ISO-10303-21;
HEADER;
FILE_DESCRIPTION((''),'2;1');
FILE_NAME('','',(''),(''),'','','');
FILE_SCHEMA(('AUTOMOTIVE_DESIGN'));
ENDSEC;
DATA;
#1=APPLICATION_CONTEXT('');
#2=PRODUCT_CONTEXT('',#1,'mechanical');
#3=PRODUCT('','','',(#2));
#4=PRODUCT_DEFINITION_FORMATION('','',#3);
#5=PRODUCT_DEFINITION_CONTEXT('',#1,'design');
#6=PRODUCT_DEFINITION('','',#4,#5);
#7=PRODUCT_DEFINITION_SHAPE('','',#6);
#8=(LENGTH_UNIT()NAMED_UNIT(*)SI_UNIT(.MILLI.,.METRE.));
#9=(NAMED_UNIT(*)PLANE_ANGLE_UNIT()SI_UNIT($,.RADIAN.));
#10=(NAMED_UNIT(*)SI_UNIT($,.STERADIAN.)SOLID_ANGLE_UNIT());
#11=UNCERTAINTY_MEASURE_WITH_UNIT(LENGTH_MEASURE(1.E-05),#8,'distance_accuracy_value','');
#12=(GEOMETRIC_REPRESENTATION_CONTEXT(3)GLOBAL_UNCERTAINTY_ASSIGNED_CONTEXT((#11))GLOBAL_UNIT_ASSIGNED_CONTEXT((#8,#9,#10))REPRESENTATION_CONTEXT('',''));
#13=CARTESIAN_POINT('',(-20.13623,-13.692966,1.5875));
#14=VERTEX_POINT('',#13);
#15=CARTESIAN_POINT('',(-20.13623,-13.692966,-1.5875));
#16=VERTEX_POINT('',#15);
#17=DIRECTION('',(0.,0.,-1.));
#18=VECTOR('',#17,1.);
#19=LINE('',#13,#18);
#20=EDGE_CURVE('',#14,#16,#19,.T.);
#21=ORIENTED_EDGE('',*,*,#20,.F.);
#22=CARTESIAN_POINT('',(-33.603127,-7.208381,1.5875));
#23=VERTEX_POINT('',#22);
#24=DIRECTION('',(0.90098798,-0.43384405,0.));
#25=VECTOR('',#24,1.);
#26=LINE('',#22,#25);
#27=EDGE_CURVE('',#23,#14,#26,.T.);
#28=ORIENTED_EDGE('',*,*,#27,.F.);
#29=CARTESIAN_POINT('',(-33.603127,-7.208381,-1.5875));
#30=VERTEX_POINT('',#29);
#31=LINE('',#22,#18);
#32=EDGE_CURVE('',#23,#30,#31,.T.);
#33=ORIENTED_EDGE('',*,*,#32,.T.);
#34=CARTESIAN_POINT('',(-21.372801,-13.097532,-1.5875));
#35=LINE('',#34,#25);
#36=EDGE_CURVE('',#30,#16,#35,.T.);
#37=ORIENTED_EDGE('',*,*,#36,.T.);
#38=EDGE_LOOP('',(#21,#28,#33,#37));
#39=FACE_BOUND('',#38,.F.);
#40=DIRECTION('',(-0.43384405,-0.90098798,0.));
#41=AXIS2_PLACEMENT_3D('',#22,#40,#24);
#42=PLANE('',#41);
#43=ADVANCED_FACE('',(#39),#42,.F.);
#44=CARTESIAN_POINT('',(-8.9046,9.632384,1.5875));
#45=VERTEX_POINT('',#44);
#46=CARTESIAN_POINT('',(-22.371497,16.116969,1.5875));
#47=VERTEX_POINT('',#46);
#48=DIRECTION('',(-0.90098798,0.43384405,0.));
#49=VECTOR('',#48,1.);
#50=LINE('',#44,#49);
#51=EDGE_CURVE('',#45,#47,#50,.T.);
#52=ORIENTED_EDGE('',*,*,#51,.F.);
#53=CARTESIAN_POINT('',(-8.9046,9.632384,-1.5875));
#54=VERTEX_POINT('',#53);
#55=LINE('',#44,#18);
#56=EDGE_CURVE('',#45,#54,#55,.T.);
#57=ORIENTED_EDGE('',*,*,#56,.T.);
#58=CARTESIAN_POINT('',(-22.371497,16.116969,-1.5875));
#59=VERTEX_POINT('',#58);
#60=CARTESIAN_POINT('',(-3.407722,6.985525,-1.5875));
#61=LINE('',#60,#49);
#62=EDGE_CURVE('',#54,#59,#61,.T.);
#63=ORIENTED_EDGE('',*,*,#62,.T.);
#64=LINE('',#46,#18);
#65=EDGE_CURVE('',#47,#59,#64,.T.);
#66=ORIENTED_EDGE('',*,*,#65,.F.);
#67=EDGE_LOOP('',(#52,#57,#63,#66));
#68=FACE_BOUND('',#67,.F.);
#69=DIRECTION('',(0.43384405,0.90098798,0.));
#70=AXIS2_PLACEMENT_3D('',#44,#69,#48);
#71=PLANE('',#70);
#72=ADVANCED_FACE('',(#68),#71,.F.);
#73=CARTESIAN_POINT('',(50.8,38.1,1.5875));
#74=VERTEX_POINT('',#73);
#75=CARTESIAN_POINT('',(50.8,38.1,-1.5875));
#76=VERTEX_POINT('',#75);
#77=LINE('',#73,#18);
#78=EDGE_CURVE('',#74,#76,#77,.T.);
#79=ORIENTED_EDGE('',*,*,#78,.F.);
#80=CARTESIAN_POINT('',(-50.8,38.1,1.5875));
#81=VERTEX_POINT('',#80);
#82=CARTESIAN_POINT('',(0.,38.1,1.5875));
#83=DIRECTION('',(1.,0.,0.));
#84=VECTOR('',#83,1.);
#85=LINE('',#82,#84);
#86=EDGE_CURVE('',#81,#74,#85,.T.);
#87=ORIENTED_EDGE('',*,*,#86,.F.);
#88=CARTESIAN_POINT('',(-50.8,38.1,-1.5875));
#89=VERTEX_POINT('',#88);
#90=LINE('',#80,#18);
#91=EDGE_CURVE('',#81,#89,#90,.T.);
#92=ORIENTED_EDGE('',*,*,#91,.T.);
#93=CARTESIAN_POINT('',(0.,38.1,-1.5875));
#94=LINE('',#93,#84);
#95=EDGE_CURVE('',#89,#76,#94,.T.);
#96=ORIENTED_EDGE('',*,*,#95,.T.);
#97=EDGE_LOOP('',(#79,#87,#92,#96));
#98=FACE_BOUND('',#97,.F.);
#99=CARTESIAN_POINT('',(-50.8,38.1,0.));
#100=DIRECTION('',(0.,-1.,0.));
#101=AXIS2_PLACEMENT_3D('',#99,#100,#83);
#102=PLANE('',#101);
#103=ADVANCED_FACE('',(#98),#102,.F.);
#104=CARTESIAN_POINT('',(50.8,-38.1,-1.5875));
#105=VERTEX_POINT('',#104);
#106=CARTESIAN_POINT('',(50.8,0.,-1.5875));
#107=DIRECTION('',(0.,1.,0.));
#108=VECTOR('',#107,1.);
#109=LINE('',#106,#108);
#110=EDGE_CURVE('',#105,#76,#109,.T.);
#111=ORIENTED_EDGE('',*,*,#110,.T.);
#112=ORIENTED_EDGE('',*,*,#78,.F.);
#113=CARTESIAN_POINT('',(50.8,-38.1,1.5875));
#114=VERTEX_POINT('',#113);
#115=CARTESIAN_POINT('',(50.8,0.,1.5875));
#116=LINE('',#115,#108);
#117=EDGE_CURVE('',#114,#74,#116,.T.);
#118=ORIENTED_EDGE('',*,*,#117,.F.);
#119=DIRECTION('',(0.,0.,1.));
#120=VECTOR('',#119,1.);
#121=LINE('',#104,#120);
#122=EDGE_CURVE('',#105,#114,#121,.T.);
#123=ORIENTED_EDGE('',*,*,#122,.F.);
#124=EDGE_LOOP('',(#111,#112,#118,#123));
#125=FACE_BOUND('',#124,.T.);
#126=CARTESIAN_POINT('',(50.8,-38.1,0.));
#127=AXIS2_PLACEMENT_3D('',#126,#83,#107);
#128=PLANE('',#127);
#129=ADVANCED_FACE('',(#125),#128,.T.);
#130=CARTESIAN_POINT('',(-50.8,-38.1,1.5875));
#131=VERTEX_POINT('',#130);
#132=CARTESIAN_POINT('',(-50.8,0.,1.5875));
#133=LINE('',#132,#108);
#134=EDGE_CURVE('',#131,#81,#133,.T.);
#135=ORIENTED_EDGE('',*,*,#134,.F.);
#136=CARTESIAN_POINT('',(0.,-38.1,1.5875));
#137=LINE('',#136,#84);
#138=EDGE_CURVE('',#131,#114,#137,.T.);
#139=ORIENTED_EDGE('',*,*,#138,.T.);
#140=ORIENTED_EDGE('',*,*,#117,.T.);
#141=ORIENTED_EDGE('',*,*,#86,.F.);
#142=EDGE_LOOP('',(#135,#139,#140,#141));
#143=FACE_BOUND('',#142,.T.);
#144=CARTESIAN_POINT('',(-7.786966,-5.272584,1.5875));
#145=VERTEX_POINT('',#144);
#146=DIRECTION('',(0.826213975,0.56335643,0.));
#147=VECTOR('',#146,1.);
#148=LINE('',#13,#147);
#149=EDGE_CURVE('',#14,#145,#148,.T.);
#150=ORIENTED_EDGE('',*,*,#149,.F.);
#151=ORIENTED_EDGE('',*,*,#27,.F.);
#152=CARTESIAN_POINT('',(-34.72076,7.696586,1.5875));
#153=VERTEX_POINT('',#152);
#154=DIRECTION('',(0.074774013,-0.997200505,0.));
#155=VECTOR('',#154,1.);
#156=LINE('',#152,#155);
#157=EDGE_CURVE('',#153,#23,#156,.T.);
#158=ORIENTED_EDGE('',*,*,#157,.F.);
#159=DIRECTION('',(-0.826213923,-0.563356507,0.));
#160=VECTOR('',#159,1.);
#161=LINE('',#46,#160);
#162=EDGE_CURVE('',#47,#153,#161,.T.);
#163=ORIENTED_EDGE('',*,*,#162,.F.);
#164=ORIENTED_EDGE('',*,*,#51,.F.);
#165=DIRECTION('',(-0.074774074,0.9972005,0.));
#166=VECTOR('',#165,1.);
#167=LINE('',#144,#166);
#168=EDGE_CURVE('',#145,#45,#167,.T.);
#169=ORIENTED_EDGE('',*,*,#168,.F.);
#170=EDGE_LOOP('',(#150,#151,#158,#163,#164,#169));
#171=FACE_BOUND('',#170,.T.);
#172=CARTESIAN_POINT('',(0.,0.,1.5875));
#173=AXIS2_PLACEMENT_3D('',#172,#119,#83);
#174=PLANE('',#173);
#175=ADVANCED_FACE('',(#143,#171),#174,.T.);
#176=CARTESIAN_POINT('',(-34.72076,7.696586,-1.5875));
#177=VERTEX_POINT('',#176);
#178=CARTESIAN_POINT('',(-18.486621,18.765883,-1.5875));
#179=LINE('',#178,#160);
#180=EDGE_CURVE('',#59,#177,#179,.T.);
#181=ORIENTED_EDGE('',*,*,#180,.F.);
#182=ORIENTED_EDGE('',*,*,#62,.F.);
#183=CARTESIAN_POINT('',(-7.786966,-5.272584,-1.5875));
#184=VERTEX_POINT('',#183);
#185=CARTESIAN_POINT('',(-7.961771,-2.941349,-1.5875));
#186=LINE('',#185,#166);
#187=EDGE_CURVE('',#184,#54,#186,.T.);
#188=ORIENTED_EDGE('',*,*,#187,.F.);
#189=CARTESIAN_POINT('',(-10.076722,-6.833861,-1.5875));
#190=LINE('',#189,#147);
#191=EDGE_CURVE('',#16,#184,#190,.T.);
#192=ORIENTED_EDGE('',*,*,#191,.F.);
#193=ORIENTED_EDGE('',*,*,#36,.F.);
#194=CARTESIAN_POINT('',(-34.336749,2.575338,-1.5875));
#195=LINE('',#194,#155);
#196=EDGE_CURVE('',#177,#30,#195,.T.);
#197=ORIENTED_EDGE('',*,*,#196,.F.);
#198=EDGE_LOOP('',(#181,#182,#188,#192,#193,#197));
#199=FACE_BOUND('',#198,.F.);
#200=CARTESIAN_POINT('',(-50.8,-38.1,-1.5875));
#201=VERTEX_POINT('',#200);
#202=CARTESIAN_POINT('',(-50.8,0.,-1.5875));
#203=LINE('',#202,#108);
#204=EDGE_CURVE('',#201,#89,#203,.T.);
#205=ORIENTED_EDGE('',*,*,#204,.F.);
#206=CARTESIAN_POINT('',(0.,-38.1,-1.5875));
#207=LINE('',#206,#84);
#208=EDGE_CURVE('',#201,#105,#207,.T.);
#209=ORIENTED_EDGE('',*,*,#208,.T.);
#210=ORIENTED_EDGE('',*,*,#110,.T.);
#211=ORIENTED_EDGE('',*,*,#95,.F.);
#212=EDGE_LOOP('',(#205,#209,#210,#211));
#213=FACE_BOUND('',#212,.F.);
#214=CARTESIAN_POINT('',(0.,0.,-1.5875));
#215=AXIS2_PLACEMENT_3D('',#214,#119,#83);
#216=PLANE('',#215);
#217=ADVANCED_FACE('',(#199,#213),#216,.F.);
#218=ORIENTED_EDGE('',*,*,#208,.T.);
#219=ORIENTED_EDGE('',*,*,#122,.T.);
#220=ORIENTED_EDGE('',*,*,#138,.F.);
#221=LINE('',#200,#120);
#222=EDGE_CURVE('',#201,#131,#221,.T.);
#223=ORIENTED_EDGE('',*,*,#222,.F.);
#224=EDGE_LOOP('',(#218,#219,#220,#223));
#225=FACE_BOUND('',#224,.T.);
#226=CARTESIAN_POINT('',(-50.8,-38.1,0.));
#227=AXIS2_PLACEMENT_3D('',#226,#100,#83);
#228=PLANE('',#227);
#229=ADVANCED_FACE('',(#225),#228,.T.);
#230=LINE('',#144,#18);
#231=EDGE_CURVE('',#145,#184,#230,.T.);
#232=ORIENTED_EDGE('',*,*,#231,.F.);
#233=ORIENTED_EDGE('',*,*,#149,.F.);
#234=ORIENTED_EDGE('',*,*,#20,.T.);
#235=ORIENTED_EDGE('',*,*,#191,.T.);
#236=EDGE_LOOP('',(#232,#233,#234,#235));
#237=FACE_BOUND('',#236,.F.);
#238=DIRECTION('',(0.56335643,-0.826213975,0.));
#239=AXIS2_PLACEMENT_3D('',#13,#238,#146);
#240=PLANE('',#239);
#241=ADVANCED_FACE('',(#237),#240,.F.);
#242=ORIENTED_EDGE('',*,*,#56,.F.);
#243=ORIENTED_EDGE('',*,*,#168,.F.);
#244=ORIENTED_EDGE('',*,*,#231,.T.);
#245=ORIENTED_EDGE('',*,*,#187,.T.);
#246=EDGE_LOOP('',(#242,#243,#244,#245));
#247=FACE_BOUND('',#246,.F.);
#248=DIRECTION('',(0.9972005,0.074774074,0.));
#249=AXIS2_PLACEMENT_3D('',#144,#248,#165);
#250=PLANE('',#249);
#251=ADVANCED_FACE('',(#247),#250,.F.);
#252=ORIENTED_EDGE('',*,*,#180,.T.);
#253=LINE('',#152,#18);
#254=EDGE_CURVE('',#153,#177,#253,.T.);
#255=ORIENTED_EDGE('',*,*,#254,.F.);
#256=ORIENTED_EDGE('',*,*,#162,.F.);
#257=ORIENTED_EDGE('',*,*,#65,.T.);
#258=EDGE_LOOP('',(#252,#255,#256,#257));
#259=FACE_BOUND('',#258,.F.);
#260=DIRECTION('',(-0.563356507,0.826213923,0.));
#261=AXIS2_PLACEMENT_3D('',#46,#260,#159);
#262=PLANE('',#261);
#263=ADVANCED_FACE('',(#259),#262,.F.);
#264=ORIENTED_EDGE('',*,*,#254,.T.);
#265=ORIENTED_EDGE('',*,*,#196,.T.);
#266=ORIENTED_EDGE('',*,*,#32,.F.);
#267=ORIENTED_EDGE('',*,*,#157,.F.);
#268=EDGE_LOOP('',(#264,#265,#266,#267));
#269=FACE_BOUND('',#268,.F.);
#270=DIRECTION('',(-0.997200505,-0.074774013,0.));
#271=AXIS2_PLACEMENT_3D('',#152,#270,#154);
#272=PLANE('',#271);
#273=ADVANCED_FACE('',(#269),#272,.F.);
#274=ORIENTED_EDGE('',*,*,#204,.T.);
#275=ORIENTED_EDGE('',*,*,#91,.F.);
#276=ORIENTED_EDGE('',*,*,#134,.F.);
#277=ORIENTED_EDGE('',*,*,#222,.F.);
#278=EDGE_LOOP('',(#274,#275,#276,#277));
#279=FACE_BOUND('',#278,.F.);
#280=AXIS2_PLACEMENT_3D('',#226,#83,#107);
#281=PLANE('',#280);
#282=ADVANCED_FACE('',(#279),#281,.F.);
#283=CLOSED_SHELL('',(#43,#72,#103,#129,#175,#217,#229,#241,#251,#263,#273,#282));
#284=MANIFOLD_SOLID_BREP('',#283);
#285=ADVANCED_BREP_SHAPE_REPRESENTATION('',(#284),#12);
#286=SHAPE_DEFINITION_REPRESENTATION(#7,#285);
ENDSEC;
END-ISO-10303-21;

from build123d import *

# Parameters (mm, degrees)
F0_W     = 101.6
F0_H     = 76.2
F1_DEPTH = 1.5875
F3_DEPTH = 3.176


with BuildPart() as f1:
    # F0 (on Top) → F1 (new body, symmetric)
    with BuildSketch(Plane.XY):
        Rectangle(F0_W, F0_H)
    extrude(amount=F1_DEPTH, both=True)

    # F2 (on face) → F3 (cut, through all)
    with BuildSketch(Plane.XY.offset(1.5875)):
        Polygon((-22.371497, 16.116969), (-34.72076, 7.696586), (-33.603127, -7.208381), (-20.13623, -13.692966), (-7.786966, -5.272584), (-8.9046, 9.632384), align=None)
    extrude(amount=-F3_DEPTH, mode=Mode.SUBTRACT)


solid = f1.part
